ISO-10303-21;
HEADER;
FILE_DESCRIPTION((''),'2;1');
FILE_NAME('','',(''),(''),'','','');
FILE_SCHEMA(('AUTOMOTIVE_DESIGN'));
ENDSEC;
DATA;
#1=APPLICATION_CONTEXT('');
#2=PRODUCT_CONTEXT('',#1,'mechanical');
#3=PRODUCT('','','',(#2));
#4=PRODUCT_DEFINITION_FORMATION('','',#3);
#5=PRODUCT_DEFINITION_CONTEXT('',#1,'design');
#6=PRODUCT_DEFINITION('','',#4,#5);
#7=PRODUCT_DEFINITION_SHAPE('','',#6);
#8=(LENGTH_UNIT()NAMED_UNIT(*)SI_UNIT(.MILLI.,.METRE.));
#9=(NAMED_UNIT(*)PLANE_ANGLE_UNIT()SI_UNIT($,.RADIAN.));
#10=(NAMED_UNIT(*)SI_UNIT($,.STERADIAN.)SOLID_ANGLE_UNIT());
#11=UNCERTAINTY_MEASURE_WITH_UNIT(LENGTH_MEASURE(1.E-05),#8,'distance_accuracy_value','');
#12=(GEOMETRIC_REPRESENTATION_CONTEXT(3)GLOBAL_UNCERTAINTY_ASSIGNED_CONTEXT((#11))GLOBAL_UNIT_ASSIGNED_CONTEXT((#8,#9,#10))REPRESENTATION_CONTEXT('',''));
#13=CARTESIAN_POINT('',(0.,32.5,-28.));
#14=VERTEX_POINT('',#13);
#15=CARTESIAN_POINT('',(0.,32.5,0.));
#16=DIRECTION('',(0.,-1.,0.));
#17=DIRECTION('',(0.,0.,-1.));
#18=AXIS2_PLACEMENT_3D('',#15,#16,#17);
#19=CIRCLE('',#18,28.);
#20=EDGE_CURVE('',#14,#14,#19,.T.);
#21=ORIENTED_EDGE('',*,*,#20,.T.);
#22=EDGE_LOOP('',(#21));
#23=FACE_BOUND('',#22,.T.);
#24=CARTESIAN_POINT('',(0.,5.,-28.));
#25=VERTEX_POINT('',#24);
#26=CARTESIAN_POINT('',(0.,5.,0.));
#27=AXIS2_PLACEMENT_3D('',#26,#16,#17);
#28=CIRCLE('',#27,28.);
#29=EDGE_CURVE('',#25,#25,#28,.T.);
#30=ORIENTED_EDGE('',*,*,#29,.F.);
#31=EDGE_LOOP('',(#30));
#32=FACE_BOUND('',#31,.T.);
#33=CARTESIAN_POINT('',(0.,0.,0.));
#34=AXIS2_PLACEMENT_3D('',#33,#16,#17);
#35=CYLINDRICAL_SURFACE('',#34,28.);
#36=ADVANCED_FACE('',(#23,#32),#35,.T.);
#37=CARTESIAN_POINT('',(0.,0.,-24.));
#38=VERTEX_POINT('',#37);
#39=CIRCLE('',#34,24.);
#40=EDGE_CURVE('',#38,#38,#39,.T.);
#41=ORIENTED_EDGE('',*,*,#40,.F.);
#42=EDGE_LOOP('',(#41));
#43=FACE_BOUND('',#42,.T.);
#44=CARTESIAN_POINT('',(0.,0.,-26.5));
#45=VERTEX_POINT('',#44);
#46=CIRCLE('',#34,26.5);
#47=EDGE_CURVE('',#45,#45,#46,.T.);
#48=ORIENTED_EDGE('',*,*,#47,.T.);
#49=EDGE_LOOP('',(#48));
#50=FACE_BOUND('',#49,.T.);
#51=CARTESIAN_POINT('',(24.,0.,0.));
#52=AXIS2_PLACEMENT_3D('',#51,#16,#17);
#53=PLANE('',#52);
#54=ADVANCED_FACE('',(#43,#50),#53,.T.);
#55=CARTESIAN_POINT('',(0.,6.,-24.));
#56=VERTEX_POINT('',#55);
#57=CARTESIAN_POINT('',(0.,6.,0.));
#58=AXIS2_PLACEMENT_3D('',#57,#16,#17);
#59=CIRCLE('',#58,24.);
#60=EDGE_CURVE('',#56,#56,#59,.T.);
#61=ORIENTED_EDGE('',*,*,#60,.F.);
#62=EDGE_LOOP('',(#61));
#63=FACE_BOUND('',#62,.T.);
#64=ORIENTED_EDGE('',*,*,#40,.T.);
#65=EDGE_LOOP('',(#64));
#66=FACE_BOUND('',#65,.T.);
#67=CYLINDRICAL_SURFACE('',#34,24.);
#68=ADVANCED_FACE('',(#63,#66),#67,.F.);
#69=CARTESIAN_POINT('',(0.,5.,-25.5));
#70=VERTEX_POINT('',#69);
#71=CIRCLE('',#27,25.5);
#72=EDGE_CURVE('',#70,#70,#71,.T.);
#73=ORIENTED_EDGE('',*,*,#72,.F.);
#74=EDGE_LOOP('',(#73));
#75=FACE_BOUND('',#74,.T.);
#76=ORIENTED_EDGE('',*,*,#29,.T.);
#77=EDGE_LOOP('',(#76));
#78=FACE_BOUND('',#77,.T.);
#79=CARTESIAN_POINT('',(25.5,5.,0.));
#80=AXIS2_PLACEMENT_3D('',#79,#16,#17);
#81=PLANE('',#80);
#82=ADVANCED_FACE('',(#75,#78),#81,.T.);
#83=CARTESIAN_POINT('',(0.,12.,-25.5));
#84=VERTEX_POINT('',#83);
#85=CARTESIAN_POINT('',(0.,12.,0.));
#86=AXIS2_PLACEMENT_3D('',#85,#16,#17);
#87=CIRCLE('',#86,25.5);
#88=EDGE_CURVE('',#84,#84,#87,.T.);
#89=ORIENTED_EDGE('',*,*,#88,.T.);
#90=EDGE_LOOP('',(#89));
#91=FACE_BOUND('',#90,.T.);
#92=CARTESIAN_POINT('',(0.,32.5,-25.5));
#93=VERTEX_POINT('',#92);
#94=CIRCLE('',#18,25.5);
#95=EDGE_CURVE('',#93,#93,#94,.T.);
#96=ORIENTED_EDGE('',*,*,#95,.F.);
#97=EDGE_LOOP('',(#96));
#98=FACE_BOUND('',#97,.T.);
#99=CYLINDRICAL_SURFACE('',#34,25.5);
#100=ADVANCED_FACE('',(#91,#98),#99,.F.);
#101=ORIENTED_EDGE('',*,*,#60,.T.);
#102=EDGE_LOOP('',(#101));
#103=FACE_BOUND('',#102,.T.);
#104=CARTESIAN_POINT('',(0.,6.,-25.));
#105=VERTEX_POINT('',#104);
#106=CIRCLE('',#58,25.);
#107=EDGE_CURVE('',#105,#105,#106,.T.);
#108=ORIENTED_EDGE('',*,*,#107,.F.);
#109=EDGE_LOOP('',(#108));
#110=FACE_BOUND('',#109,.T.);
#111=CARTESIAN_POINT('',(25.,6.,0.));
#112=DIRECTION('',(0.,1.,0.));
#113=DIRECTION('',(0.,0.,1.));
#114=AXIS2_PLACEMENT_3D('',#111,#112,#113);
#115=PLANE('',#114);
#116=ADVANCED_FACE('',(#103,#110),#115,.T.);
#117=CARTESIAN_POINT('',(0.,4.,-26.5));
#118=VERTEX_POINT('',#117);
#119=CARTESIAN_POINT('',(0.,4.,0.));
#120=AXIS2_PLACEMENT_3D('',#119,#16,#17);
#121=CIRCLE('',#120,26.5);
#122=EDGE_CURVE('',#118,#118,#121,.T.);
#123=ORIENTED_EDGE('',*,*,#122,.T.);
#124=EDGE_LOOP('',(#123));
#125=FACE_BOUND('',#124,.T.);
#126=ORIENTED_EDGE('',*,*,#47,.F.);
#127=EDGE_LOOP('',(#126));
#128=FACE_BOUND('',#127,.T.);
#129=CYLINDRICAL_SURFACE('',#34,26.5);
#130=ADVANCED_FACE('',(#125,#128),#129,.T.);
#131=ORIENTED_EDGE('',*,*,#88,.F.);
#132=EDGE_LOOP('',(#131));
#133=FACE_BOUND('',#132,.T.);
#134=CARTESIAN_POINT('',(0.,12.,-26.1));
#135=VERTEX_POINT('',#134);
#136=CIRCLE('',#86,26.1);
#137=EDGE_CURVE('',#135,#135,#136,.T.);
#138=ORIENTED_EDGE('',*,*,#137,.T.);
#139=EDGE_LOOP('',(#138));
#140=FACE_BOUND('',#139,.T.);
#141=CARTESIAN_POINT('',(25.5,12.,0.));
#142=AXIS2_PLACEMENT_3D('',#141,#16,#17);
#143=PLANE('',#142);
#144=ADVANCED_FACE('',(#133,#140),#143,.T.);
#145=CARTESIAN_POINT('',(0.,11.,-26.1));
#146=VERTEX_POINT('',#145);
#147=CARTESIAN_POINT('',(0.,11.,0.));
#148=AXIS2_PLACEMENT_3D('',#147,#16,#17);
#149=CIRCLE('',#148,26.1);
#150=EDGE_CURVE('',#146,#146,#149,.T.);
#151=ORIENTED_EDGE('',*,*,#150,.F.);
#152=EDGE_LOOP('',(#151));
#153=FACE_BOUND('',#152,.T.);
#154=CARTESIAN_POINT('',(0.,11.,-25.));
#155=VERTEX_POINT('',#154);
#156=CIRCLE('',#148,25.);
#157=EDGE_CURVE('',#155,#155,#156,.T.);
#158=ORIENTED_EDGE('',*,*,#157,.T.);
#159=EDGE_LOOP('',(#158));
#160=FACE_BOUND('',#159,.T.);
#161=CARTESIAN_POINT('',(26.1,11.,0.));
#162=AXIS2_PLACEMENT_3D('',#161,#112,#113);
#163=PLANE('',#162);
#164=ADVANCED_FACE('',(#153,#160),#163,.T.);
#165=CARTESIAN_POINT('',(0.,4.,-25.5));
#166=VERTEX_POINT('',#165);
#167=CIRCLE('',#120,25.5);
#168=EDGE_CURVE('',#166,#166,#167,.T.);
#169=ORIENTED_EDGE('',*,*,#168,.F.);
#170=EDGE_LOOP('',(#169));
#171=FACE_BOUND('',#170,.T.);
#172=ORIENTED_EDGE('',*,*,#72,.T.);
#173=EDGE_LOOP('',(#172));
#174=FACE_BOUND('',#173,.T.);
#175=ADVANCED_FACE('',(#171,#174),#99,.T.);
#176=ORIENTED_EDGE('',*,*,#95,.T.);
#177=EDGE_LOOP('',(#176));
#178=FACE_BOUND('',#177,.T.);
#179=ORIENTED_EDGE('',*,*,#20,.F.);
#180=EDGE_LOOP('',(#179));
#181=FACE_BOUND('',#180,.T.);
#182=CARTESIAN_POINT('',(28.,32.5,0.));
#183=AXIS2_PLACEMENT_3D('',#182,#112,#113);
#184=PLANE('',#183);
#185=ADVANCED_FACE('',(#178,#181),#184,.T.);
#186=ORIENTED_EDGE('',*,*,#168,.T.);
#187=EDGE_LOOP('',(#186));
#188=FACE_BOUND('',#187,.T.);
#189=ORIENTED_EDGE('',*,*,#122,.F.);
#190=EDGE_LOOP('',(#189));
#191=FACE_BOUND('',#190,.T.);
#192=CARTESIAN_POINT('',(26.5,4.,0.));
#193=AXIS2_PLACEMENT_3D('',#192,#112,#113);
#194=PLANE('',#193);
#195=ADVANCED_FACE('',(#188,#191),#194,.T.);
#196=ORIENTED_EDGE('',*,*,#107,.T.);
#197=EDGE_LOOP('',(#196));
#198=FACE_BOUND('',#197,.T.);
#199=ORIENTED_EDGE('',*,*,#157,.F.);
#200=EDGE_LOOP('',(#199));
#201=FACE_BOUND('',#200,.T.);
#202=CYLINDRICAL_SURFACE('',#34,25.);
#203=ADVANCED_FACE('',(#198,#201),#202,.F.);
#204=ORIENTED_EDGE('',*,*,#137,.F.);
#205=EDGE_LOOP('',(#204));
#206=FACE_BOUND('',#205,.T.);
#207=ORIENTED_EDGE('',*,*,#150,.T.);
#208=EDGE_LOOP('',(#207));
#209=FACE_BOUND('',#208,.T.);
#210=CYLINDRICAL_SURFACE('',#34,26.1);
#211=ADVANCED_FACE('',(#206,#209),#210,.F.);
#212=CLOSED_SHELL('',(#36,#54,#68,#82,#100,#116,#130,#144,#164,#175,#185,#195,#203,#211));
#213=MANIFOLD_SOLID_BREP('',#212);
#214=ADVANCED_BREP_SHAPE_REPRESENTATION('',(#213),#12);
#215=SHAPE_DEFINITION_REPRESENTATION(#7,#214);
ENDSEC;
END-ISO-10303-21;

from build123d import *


with BuildPart() as part:
    # 草图1 → 旋转1 (revolve)
    with BuildSketch(Plane.XY, mode=Mode.PRIVATE) as revolve_1_sk:
        Polygon((24, 0), (26.5, 0), (26.5, 4), (25.5, 4), (25.5, 5), (28, 5), (28, 32.5), (25.5, 32.5), (25.5, 12), (26.1, 12), (26.1, 11), (25, 11), (25, 6), (24, 6), align=None)
    revolve(revolve_1_sk.sketch.rotate(Axis((0, 0, 0), (0, 1, 0)), 90), axis=Axis((0, 0, 0), (0, 1, 0)))  # turned: the seam where the file's is


solid = part.part
